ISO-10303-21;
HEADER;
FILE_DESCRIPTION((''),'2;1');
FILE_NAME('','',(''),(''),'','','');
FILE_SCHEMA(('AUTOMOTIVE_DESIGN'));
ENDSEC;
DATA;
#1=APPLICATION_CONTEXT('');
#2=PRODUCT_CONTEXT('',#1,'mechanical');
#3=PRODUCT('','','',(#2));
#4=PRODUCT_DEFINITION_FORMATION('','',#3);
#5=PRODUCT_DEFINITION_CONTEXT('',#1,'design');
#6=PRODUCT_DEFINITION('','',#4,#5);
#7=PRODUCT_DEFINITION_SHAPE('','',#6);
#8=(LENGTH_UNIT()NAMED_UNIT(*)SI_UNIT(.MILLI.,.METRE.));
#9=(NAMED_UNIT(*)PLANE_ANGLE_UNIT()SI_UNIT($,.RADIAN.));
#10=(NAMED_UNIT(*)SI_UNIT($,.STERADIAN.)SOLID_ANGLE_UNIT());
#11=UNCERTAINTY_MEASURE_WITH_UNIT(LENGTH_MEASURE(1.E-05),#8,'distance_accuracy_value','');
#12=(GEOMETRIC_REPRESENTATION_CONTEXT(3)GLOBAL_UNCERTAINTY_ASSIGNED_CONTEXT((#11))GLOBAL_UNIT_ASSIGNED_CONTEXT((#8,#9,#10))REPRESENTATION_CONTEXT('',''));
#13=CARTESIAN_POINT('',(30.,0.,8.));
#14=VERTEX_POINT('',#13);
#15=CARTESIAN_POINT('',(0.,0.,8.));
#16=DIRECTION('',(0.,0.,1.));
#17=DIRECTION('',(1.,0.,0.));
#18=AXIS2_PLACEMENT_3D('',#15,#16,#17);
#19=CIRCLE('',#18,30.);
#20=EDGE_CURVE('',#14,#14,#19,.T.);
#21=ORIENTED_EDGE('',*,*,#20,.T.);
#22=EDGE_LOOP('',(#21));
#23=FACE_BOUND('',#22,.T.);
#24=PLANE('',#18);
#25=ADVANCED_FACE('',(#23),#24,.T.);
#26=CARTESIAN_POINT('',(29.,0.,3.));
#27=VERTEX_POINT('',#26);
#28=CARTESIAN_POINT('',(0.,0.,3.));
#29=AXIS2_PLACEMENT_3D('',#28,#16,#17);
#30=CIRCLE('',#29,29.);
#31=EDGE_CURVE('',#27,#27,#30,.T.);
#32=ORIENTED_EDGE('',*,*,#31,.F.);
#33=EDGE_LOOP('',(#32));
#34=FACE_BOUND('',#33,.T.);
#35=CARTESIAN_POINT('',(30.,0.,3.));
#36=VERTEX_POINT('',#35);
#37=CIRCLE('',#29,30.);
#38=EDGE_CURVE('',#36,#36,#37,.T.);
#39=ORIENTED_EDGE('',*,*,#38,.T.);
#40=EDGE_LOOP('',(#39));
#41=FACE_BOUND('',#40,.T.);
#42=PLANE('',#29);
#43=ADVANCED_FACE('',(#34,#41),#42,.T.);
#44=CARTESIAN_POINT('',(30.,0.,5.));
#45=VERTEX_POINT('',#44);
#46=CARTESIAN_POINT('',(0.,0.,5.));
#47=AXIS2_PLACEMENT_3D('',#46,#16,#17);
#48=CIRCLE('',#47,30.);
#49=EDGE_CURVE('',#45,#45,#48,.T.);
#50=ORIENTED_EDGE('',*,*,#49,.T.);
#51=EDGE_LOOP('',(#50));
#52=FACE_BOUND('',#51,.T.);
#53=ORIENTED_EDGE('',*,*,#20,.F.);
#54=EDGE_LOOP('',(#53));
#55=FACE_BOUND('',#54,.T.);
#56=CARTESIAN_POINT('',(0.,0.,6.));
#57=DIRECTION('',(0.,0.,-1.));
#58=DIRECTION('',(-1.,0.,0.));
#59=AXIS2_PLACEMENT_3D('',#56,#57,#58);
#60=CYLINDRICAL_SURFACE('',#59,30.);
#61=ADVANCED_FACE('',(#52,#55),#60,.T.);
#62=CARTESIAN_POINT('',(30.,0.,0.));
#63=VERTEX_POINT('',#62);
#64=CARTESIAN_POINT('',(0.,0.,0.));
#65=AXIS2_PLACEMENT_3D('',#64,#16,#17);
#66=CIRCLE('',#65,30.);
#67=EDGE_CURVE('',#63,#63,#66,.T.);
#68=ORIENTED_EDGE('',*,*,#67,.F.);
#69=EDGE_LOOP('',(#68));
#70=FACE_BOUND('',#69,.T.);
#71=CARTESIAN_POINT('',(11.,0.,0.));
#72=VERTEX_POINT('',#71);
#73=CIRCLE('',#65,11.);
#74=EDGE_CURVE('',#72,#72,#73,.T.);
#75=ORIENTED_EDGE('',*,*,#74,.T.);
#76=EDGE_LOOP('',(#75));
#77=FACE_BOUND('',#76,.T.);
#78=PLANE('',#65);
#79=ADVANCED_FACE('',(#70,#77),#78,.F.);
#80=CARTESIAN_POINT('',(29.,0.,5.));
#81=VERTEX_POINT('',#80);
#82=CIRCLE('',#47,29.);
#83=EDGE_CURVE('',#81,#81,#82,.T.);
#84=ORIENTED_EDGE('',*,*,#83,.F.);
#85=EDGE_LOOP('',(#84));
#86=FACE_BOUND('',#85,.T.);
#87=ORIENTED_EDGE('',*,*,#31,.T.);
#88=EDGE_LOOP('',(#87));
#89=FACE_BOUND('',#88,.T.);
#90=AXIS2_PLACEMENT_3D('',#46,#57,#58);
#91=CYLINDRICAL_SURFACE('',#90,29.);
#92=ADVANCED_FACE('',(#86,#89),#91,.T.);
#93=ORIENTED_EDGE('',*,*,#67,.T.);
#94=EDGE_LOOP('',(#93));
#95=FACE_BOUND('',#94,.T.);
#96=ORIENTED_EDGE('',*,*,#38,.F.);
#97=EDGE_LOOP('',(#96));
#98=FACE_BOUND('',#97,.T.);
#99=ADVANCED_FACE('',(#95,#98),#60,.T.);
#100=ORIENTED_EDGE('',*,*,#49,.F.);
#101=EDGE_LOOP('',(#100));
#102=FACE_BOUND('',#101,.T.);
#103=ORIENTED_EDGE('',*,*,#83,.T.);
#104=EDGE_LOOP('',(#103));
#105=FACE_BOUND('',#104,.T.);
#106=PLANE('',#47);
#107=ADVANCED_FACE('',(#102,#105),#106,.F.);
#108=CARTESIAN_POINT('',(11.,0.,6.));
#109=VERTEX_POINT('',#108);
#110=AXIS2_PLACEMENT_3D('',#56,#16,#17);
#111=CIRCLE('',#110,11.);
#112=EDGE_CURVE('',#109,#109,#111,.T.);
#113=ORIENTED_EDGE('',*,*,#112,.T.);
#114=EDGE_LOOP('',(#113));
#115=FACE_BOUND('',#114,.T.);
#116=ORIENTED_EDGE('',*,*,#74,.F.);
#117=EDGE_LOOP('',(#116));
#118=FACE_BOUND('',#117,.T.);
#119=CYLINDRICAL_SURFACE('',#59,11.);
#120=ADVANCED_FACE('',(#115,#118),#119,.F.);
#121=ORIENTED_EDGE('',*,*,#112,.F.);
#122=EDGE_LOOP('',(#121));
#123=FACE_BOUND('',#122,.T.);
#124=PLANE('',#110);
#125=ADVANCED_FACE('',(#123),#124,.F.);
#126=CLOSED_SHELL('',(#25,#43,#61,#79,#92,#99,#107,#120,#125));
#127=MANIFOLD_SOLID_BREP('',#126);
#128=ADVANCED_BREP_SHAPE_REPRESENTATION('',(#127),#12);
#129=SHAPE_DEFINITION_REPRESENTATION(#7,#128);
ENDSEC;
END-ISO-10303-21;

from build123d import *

# Parameters (mm, degrees)
ESQUISSE1_R                  = 30
ESQUISSE1_R_2                = 11
BOSS_EXTRU_1_DEPTH           = 6
ESQUISSE2_R                  = 30
BOSS_EXTRU_2_DEPTH           = 2
ENL_V_MAT_EXTRU_1_DEPTH      = 1
ENL_V_MAT_EXTRU_1_DEPTH_BACK = 1
ESQUISSE3_R                  = 30
ESQUISSE3_R_2                = 29


with BuildPart() as part:
    # Esquisse1 → Boss.-Extru.1 (new body)
    with BuildSketch(Plane.XY):
        Circle(ESQUISSE1_R)
        Circle(ESQUISSE1_R_2, mode=Mode.SUBTRACT)
    extrude(amount=BOSS_EXTRU_1_DEPTH)

    # Esquisse2 → Boss.-Extru.2 (add)
    with BuildSketch(Plane.XY.offset(6)):
        Circle(ESQUISSE2_R)
    extrude(amount=BOSS_EXTRU_2_DEPTH)

    # Esquisse3 → Enlèv. mat.-Extru.1 (cut, two sides: drawn at the far end of the back side and taken through both)
    with BuildSketch(Plane.XY.offset(4).offset(-ENL_V_MAT_EXTRU_1_DEPTH_BACK)):
        Circle(ESQUISSE3_R)
        Circle(ESQUISSE3_R_2, mode=Mode.SUBTRACT)
    extrude(amount=ENL_V_MAT_EXTRU_1_DEPTH + ENL_V_MAT_EXTRU_1_DEPTH_BACK, mode=Mode.SUBTRACT)


solid = part.part
